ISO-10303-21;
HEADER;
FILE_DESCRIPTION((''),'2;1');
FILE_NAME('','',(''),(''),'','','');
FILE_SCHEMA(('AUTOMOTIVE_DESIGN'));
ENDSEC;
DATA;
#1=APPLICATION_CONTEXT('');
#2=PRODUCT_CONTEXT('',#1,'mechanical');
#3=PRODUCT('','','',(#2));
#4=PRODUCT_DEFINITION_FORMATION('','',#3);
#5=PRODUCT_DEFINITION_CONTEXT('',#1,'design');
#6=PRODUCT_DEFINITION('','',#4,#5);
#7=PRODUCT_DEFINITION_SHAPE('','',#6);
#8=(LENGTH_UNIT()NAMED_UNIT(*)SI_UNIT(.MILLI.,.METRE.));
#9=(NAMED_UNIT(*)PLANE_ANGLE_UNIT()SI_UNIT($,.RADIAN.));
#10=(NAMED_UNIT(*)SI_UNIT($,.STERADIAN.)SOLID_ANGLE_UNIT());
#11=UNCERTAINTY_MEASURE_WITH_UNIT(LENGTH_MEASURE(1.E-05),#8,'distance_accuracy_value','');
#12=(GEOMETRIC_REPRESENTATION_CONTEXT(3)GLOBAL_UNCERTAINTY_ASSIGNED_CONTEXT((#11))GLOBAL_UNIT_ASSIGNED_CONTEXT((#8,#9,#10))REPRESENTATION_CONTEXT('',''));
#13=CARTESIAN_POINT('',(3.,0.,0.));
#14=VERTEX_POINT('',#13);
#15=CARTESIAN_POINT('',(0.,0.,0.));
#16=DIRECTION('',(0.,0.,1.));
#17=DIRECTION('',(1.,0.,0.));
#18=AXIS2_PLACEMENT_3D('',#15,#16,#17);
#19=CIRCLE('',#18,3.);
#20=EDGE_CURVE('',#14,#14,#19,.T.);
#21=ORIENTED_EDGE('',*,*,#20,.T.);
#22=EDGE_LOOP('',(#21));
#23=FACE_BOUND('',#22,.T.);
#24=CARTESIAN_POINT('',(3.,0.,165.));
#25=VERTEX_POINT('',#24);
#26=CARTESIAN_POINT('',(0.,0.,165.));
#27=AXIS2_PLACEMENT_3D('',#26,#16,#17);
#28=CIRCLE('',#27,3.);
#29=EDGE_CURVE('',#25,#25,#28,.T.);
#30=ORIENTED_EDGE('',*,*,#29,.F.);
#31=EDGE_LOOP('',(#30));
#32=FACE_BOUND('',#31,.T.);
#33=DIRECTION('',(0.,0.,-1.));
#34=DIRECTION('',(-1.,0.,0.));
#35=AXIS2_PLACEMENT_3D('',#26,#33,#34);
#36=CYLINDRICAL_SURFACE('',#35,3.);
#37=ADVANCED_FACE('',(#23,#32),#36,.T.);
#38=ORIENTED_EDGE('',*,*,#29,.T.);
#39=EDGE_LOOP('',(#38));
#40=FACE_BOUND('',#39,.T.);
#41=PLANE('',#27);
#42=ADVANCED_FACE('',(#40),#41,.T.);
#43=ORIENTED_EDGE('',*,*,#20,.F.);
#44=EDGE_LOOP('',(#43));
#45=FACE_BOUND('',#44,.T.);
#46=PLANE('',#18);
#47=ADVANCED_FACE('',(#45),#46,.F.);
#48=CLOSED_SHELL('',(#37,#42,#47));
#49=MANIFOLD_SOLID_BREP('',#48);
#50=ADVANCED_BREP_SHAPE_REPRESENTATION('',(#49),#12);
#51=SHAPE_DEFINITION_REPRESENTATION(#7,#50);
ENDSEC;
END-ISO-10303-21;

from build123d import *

# Parameters (mm, degrees)
SKETCH1_R           = 3
BOSS_EXTRUDE1_DEPTH = 165


with BuildPart() as part:
    # Sketch1 → Boss-Extrude1 (new body)
    with BuildSketch(Plane.XY):
        Circle(SKETCH1_R)
    extrude(amount=BOSS_EXTRUDE1_DEPTH)


solid = part.part
